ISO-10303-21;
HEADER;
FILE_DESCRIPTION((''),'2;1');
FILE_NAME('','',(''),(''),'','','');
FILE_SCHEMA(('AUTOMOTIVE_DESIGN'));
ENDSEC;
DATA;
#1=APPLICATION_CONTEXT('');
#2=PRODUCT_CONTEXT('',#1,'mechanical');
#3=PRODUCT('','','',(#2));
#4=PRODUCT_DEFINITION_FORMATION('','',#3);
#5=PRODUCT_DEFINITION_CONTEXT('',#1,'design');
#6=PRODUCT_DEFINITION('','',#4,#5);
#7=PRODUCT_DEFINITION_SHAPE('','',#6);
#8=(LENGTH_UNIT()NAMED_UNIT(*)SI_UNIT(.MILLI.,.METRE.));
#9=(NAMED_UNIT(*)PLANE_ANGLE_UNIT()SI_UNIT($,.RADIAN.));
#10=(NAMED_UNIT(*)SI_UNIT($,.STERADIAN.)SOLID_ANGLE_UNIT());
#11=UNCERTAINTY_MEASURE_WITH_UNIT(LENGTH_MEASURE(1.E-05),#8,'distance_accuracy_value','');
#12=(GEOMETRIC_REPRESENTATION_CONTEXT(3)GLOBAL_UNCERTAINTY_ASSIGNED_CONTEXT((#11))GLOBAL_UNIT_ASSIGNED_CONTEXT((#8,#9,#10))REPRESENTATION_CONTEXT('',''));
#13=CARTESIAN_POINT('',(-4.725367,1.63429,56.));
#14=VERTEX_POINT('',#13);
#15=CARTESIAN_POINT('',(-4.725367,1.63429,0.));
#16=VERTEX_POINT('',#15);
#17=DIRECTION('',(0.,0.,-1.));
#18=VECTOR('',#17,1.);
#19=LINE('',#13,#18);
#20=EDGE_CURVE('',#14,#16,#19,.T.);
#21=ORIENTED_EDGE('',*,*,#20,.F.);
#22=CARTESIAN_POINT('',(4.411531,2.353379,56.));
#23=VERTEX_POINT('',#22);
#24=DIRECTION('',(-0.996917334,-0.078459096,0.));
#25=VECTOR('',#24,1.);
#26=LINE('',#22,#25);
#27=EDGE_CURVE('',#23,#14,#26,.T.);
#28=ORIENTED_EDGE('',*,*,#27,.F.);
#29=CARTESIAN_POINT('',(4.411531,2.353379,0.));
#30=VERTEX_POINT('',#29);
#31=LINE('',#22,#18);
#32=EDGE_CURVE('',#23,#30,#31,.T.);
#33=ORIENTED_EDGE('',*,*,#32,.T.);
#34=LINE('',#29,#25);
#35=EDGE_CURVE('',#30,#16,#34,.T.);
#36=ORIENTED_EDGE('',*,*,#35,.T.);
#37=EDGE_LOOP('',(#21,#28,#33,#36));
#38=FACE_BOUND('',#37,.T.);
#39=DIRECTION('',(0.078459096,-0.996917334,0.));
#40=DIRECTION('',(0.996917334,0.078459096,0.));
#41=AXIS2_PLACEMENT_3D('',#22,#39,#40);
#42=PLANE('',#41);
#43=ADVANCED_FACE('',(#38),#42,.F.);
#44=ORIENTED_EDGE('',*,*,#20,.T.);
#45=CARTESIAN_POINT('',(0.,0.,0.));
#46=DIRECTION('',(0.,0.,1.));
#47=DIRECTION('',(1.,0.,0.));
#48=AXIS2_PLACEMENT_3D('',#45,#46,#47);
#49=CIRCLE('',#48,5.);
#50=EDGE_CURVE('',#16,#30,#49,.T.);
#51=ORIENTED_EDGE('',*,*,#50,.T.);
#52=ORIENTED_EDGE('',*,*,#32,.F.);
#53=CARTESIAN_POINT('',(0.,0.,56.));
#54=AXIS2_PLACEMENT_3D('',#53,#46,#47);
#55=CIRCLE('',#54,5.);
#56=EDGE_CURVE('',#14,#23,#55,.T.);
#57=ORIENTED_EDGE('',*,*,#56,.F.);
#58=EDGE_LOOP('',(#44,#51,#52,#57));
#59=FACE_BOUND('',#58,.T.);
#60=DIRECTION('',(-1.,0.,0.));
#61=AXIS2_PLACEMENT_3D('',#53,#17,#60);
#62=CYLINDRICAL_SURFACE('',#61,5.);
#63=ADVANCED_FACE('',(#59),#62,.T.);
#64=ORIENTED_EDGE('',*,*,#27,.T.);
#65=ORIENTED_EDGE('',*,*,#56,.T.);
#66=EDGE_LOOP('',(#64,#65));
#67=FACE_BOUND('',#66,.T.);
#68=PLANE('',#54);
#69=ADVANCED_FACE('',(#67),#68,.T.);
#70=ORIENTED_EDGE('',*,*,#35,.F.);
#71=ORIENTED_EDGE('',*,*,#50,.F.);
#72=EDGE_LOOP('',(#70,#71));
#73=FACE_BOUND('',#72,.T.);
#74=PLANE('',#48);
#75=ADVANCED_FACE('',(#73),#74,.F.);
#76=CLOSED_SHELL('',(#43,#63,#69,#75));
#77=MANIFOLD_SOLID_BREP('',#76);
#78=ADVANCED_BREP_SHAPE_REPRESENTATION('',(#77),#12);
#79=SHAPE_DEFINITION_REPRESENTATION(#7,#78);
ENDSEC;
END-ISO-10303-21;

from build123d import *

# Parameters (mm, degrees)
EXTRUDE_1_DEPTH = 56


with BuildPart() as part:
    # 草图1 → 凸台-拉伸1 (new body)
    with BuildSketch(Plane.XY):
        with BuildLine():
            Line((4.411530952, 2.353379413), (-4.725367335, 1.634289922))
            ThreePointArc((-4.725367335, 1.634289922), (0.392295479, -4.984586669), (4.411530952, 2.353379413))
        make_face()
    extrude(amount=EXTRUDE_1_DEPTH)


solid = part.part
